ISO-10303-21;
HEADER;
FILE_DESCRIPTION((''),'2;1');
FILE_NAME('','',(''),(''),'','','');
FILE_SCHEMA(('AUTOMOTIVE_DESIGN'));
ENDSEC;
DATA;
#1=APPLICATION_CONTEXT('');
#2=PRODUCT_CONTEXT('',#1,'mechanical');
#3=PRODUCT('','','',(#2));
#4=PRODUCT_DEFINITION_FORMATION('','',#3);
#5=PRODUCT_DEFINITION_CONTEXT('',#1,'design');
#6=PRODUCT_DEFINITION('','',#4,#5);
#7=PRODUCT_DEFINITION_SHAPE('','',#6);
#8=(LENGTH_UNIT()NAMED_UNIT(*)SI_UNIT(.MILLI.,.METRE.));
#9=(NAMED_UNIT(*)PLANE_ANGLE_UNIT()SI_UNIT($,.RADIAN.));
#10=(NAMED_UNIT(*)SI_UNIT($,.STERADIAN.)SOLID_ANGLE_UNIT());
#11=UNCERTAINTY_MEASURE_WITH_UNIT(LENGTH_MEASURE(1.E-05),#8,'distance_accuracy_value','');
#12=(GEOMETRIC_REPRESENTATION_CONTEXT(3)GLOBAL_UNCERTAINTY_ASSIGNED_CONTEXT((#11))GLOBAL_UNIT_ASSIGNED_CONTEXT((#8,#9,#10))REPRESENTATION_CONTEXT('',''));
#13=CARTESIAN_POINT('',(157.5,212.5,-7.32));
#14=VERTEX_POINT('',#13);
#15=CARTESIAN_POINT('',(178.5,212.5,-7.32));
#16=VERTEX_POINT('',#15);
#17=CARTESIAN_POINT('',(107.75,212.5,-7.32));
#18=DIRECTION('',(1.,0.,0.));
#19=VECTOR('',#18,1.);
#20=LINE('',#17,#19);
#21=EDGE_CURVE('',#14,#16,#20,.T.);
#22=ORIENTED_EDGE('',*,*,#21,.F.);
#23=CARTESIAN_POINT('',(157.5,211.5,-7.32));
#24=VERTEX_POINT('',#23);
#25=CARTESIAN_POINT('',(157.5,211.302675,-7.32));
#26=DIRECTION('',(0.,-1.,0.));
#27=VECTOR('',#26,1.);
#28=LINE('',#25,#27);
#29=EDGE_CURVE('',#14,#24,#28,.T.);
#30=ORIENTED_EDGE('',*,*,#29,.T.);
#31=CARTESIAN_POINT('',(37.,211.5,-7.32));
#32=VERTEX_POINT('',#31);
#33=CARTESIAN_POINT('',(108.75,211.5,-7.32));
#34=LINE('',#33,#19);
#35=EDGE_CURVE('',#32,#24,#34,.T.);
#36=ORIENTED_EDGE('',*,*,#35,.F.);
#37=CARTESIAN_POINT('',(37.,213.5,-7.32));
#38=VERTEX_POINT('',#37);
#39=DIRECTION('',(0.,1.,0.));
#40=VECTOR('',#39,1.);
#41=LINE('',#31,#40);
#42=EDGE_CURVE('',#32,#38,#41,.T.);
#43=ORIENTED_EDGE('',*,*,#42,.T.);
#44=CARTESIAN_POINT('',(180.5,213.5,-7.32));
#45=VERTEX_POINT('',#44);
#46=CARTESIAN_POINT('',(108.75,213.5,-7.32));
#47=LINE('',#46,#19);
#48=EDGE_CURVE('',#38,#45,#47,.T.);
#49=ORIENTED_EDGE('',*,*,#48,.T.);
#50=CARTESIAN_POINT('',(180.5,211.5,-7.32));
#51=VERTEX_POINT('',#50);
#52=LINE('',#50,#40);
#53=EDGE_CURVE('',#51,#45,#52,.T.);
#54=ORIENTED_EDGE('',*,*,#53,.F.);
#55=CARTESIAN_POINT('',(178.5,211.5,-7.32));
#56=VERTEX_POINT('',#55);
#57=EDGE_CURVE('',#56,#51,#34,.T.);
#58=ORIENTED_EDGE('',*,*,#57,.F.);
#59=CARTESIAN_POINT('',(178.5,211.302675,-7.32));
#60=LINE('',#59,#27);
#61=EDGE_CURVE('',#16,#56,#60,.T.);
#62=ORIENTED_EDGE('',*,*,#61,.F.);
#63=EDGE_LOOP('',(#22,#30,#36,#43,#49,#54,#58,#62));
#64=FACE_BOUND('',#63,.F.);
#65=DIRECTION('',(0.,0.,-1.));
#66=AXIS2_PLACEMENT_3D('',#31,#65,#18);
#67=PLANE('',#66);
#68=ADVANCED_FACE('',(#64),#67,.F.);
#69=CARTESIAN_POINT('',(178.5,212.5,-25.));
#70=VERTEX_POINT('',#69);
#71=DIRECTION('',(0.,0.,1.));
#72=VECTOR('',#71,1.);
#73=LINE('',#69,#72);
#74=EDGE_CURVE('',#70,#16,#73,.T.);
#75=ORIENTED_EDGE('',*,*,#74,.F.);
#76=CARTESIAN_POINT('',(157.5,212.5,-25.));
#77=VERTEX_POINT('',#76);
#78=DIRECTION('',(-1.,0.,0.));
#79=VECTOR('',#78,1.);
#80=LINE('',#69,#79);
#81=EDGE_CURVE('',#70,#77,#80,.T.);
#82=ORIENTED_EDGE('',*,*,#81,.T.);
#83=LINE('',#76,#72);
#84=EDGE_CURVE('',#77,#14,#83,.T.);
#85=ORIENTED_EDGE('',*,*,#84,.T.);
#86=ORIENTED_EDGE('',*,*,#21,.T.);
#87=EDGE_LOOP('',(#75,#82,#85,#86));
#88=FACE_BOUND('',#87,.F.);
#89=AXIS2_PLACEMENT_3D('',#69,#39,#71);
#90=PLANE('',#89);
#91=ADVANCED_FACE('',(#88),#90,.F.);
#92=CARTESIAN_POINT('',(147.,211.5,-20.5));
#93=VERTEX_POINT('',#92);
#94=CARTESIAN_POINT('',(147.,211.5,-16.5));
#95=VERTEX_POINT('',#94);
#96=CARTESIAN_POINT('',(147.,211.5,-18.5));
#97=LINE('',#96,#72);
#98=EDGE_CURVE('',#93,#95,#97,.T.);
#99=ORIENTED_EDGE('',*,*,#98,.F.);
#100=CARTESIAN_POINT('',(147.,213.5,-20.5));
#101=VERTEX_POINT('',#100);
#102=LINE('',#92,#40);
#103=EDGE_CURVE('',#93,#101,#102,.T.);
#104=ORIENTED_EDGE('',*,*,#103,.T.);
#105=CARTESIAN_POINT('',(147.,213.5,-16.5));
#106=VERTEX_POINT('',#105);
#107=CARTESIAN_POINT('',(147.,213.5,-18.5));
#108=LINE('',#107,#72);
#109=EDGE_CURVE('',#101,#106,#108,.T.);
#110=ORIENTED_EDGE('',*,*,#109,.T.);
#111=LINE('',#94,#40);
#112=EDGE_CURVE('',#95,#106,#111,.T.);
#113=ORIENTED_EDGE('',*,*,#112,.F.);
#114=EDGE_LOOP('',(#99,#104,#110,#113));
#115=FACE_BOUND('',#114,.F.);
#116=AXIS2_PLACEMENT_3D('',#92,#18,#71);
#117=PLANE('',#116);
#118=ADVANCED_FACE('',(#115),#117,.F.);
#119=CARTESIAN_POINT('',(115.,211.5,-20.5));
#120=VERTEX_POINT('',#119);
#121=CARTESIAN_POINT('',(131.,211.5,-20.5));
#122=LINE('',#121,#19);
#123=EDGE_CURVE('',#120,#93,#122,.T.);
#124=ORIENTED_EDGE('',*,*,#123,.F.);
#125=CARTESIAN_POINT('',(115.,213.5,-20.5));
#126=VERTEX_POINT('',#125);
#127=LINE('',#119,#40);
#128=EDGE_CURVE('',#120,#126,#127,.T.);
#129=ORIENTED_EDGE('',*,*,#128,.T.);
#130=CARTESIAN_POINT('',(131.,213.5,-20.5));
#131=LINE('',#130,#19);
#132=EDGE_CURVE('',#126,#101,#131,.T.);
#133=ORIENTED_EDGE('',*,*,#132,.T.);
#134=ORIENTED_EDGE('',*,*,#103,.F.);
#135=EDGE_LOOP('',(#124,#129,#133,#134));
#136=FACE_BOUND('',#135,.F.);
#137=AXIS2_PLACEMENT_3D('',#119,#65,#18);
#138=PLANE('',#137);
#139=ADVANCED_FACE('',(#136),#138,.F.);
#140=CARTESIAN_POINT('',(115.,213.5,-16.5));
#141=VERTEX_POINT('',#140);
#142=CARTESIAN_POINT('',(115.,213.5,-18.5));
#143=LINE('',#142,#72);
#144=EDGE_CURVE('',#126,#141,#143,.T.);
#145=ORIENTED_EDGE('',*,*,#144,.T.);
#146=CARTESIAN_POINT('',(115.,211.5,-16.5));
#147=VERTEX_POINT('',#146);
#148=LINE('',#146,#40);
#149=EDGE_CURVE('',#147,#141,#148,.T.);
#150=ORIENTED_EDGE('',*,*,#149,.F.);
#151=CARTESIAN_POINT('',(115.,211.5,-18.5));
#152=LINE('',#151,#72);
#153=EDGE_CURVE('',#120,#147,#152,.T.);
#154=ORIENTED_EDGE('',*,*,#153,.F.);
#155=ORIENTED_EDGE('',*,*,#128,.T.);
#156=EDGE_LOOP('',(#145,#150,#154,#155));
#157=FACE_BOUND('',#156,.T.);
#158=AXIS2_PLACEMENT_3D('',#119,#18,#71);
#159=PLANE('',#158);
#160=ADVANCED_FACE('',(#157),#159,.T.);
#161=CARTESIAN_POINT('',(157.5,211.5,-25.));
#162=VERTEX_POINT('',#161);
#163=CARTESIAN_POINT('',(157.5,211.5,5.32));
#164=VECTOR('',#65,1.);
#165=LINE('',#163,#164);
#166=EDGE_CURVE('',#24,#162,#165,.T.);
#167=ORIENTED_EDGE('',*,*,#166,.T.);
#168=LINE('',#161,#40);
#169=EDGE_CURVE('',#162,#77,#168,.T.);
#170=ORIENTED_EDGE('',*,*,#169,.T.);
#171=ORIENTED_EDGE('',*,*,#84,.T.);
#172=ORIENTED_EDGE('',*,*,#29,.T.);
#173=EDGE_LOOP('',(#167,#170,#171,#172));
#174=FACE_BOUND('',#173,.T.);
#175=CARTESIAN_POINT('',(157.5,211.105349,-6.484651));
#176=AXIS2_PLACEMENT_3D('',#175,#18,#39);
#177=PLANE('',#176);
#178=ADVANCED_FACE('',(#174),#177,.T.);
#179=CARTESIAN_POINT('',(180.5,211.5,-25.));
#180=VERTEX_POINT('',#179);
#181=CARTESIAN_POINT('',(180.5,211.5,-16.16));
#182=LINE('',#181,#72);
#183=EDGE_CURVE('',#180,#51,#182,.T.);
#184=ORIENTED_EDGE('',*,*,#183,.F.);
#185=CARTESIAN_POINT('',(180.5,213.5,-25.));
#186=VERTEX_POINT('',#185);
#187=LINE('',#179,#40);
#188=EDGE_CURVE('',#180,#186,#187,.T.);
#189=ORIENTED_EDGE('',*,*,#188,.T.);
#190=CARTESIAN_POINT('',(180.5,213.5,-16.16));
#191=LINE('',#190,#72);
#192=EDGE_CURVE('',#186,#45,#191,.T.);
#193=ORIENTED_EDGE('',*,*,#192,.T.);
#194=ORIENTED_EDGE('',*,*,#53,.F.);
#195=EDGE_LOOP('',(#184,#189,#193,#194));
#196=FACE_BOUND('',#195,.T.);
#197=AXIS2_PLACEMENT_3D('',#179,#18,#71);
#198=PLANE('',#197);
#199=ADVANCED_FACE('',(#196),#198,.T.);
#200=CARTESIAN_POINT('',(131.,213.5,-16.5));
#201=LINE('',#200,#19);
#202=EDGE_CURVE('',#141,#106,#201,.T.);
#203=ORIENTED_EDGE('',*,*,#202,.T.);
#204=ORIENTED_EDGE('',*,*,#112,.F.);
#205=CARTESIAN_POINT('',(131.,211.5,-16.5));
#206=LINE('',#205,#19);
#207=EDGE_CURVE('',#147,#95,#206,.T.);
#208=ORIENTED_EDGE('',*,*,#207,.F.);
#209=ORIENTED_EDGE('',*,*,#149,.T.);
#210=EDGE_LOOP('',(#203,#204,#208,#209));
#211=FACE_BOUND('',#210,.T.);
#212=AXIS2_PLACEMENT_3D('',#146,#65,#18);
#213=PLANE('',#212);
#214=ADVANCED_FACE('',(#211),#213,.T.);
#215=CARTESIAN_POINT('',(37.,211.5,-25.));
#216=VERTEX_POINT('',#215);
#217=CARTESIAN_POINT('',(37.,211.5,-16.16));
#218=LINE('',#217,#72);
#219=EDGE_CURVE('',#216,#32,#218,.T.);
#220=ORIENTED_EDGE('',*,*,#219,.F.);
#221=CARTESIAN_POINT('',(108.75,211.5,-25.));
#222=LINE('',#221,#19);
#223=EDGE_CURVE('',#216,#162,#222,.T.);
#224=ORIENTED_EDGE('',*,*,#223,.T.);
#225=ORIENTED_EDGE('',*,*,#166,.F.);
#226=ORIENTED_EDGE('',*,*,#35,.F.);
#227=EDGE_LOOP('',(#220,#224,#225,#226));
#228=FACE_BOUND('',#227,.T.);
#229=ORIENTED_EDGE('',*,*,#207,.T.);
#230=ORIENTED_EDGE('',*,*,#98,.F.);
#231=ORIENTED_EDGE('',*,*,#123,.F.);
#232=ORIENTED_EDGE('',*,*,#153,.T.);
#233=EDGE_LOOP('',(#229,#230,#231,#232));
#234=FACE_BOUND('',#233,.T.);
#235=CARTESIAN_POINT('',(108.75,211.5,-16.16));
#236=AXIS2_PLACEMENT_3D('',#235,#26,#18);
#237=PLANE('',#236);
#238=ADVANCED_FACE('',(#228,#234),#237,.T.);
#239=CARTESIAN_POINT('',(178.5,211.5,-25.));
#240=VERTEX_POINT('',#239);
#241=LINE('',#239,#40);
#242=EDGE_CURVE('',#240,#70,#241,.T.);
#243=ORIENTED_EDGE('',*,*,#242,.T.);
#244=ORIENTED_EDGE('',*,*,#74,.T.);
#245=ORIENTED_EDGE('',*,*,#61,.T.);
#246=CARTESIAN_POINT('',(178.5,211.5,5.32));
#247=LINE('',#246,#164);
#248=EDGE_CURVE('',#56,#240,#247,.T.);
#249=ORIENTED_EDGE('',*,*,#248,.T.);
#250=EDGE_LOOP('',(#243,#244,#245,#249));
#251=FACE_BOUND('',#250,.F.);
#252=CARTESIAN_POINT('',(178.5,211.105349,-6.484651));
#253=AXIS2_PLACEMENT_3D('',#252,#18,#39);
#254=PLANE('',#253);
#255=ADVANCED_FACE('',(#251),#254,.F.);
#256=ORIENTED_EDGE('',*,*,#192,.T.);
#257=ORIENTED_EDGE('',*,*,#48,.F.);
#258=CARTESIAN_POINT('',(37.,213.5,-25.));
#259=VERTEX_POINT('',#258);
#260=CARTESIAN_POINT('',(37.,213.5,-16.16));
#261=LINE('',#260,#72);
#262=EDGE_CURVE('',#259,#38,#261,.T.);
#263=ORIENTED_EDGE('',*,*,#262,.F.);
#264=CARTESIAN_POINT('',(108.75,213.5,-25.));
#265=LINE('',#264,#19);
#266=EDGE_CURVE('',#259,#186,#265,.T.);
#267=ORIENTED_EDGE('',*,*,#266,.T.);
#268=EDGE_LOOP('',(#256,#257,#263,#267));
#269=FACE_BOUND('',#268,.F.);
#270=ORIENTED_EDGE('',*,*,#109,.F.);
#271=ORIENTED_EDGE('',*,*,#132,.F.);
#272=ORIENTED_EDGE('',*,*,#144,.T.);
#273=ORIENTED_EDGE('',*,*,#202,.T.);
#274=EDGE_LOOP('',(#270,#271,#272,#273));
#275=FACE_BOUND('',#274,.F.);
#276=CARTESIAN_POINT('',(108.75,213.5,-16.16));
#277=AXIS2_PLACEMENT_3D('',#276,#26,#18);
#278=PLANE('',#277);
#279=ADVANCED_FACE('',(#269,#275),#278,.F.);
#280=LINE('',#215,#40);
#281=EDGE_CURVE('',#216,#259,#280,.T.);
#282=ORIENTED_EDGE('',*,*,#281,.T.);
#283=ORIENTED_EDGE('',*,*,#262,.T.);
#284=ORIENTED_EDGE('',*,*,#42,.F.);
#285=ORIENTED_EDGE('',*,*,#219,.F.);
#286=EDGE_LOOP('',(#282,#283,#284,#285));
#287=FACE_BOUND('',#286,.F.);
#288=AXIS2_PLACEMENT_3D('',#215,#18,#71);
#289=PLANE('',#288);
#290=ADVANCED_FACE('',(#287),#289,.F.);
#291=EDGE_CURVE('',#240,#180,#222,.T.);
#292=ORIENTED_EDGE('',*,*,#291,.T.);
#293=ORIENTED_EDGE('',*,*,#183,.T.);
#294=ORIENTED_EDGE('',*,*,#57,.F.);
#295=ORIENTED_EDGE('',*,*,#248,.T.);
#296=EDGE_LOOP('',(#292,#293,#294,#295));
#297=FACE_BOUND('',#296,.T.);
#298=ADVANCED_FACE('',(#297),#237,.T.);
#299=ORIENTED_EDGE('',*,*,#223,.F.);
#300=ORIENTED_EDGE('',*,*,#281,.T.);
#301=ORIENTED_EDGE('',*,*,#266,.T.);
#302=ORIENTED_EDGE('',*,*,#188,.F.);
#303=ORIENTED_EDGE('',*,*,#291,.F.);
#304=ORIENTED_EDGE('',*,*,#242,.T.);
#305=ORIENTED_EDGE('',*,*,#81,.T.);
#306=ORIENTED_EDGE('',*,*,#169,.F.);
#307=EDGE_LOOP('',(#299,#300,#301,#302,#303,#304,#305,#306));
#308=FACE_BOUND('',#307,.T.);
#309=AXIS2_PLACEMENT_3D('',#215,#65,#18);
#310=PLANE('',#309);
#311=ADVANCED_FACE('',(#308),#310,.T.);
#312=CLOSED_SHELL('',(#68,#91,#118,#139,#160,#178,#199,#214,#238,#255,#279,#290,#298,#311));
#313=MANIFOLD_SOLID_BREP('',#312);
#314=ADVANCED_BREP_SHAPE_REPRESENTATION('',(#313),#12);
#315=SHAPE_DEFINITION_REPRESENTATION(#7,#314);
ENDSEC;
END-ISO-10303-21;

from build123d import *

# Parameters (mm, degrees)
EXTRUDE099_DEPTH = 21
SKETCH081_W      = 143.5
SKETCH081_H      = 17.68
SKETCH081_W_2    = 32
SKETCH081_H_2    = 4
EXTRUDE073_DEPTH = 2


with BuildPart() as body060:
    # Sketch109 → Extrude099 (new body)
    with BuildSketch(Plane(origin=(178.5, 0, 0), x_dir=(0, -1, 0), z_dir=(-1, 0, 0))):
        Polygon((-212.5, 6.32), (-204, 6.32), (-204, 5.32), (-211.5, 5.32), (-211.5, -25), (-212.5, -25), align=None)
    extrude(amount=EXTRUDE099_DEPTH)


with BuildPart() as cut012:
    # Sketch081 → Extrude073 (new body)
    with BuildSketch(Plane.XZ.offset(-211.5)):
        with Locations((108.75, -16.16)):
            Rectangle(SKETCH081_W, SKETCH081_H)
        with Locations((131, -18.5)):
            Rectangle(SKETCH081_W_2, SKETCH081_H_2, mode=Mode.SUBTRACT)
    extrude(amount=-EXTRUDE073_DEPTH)

    # Cut012: cut Body060
    add(body060.part, mode=Mode.SUBTRACT)


solid = cut012.part
